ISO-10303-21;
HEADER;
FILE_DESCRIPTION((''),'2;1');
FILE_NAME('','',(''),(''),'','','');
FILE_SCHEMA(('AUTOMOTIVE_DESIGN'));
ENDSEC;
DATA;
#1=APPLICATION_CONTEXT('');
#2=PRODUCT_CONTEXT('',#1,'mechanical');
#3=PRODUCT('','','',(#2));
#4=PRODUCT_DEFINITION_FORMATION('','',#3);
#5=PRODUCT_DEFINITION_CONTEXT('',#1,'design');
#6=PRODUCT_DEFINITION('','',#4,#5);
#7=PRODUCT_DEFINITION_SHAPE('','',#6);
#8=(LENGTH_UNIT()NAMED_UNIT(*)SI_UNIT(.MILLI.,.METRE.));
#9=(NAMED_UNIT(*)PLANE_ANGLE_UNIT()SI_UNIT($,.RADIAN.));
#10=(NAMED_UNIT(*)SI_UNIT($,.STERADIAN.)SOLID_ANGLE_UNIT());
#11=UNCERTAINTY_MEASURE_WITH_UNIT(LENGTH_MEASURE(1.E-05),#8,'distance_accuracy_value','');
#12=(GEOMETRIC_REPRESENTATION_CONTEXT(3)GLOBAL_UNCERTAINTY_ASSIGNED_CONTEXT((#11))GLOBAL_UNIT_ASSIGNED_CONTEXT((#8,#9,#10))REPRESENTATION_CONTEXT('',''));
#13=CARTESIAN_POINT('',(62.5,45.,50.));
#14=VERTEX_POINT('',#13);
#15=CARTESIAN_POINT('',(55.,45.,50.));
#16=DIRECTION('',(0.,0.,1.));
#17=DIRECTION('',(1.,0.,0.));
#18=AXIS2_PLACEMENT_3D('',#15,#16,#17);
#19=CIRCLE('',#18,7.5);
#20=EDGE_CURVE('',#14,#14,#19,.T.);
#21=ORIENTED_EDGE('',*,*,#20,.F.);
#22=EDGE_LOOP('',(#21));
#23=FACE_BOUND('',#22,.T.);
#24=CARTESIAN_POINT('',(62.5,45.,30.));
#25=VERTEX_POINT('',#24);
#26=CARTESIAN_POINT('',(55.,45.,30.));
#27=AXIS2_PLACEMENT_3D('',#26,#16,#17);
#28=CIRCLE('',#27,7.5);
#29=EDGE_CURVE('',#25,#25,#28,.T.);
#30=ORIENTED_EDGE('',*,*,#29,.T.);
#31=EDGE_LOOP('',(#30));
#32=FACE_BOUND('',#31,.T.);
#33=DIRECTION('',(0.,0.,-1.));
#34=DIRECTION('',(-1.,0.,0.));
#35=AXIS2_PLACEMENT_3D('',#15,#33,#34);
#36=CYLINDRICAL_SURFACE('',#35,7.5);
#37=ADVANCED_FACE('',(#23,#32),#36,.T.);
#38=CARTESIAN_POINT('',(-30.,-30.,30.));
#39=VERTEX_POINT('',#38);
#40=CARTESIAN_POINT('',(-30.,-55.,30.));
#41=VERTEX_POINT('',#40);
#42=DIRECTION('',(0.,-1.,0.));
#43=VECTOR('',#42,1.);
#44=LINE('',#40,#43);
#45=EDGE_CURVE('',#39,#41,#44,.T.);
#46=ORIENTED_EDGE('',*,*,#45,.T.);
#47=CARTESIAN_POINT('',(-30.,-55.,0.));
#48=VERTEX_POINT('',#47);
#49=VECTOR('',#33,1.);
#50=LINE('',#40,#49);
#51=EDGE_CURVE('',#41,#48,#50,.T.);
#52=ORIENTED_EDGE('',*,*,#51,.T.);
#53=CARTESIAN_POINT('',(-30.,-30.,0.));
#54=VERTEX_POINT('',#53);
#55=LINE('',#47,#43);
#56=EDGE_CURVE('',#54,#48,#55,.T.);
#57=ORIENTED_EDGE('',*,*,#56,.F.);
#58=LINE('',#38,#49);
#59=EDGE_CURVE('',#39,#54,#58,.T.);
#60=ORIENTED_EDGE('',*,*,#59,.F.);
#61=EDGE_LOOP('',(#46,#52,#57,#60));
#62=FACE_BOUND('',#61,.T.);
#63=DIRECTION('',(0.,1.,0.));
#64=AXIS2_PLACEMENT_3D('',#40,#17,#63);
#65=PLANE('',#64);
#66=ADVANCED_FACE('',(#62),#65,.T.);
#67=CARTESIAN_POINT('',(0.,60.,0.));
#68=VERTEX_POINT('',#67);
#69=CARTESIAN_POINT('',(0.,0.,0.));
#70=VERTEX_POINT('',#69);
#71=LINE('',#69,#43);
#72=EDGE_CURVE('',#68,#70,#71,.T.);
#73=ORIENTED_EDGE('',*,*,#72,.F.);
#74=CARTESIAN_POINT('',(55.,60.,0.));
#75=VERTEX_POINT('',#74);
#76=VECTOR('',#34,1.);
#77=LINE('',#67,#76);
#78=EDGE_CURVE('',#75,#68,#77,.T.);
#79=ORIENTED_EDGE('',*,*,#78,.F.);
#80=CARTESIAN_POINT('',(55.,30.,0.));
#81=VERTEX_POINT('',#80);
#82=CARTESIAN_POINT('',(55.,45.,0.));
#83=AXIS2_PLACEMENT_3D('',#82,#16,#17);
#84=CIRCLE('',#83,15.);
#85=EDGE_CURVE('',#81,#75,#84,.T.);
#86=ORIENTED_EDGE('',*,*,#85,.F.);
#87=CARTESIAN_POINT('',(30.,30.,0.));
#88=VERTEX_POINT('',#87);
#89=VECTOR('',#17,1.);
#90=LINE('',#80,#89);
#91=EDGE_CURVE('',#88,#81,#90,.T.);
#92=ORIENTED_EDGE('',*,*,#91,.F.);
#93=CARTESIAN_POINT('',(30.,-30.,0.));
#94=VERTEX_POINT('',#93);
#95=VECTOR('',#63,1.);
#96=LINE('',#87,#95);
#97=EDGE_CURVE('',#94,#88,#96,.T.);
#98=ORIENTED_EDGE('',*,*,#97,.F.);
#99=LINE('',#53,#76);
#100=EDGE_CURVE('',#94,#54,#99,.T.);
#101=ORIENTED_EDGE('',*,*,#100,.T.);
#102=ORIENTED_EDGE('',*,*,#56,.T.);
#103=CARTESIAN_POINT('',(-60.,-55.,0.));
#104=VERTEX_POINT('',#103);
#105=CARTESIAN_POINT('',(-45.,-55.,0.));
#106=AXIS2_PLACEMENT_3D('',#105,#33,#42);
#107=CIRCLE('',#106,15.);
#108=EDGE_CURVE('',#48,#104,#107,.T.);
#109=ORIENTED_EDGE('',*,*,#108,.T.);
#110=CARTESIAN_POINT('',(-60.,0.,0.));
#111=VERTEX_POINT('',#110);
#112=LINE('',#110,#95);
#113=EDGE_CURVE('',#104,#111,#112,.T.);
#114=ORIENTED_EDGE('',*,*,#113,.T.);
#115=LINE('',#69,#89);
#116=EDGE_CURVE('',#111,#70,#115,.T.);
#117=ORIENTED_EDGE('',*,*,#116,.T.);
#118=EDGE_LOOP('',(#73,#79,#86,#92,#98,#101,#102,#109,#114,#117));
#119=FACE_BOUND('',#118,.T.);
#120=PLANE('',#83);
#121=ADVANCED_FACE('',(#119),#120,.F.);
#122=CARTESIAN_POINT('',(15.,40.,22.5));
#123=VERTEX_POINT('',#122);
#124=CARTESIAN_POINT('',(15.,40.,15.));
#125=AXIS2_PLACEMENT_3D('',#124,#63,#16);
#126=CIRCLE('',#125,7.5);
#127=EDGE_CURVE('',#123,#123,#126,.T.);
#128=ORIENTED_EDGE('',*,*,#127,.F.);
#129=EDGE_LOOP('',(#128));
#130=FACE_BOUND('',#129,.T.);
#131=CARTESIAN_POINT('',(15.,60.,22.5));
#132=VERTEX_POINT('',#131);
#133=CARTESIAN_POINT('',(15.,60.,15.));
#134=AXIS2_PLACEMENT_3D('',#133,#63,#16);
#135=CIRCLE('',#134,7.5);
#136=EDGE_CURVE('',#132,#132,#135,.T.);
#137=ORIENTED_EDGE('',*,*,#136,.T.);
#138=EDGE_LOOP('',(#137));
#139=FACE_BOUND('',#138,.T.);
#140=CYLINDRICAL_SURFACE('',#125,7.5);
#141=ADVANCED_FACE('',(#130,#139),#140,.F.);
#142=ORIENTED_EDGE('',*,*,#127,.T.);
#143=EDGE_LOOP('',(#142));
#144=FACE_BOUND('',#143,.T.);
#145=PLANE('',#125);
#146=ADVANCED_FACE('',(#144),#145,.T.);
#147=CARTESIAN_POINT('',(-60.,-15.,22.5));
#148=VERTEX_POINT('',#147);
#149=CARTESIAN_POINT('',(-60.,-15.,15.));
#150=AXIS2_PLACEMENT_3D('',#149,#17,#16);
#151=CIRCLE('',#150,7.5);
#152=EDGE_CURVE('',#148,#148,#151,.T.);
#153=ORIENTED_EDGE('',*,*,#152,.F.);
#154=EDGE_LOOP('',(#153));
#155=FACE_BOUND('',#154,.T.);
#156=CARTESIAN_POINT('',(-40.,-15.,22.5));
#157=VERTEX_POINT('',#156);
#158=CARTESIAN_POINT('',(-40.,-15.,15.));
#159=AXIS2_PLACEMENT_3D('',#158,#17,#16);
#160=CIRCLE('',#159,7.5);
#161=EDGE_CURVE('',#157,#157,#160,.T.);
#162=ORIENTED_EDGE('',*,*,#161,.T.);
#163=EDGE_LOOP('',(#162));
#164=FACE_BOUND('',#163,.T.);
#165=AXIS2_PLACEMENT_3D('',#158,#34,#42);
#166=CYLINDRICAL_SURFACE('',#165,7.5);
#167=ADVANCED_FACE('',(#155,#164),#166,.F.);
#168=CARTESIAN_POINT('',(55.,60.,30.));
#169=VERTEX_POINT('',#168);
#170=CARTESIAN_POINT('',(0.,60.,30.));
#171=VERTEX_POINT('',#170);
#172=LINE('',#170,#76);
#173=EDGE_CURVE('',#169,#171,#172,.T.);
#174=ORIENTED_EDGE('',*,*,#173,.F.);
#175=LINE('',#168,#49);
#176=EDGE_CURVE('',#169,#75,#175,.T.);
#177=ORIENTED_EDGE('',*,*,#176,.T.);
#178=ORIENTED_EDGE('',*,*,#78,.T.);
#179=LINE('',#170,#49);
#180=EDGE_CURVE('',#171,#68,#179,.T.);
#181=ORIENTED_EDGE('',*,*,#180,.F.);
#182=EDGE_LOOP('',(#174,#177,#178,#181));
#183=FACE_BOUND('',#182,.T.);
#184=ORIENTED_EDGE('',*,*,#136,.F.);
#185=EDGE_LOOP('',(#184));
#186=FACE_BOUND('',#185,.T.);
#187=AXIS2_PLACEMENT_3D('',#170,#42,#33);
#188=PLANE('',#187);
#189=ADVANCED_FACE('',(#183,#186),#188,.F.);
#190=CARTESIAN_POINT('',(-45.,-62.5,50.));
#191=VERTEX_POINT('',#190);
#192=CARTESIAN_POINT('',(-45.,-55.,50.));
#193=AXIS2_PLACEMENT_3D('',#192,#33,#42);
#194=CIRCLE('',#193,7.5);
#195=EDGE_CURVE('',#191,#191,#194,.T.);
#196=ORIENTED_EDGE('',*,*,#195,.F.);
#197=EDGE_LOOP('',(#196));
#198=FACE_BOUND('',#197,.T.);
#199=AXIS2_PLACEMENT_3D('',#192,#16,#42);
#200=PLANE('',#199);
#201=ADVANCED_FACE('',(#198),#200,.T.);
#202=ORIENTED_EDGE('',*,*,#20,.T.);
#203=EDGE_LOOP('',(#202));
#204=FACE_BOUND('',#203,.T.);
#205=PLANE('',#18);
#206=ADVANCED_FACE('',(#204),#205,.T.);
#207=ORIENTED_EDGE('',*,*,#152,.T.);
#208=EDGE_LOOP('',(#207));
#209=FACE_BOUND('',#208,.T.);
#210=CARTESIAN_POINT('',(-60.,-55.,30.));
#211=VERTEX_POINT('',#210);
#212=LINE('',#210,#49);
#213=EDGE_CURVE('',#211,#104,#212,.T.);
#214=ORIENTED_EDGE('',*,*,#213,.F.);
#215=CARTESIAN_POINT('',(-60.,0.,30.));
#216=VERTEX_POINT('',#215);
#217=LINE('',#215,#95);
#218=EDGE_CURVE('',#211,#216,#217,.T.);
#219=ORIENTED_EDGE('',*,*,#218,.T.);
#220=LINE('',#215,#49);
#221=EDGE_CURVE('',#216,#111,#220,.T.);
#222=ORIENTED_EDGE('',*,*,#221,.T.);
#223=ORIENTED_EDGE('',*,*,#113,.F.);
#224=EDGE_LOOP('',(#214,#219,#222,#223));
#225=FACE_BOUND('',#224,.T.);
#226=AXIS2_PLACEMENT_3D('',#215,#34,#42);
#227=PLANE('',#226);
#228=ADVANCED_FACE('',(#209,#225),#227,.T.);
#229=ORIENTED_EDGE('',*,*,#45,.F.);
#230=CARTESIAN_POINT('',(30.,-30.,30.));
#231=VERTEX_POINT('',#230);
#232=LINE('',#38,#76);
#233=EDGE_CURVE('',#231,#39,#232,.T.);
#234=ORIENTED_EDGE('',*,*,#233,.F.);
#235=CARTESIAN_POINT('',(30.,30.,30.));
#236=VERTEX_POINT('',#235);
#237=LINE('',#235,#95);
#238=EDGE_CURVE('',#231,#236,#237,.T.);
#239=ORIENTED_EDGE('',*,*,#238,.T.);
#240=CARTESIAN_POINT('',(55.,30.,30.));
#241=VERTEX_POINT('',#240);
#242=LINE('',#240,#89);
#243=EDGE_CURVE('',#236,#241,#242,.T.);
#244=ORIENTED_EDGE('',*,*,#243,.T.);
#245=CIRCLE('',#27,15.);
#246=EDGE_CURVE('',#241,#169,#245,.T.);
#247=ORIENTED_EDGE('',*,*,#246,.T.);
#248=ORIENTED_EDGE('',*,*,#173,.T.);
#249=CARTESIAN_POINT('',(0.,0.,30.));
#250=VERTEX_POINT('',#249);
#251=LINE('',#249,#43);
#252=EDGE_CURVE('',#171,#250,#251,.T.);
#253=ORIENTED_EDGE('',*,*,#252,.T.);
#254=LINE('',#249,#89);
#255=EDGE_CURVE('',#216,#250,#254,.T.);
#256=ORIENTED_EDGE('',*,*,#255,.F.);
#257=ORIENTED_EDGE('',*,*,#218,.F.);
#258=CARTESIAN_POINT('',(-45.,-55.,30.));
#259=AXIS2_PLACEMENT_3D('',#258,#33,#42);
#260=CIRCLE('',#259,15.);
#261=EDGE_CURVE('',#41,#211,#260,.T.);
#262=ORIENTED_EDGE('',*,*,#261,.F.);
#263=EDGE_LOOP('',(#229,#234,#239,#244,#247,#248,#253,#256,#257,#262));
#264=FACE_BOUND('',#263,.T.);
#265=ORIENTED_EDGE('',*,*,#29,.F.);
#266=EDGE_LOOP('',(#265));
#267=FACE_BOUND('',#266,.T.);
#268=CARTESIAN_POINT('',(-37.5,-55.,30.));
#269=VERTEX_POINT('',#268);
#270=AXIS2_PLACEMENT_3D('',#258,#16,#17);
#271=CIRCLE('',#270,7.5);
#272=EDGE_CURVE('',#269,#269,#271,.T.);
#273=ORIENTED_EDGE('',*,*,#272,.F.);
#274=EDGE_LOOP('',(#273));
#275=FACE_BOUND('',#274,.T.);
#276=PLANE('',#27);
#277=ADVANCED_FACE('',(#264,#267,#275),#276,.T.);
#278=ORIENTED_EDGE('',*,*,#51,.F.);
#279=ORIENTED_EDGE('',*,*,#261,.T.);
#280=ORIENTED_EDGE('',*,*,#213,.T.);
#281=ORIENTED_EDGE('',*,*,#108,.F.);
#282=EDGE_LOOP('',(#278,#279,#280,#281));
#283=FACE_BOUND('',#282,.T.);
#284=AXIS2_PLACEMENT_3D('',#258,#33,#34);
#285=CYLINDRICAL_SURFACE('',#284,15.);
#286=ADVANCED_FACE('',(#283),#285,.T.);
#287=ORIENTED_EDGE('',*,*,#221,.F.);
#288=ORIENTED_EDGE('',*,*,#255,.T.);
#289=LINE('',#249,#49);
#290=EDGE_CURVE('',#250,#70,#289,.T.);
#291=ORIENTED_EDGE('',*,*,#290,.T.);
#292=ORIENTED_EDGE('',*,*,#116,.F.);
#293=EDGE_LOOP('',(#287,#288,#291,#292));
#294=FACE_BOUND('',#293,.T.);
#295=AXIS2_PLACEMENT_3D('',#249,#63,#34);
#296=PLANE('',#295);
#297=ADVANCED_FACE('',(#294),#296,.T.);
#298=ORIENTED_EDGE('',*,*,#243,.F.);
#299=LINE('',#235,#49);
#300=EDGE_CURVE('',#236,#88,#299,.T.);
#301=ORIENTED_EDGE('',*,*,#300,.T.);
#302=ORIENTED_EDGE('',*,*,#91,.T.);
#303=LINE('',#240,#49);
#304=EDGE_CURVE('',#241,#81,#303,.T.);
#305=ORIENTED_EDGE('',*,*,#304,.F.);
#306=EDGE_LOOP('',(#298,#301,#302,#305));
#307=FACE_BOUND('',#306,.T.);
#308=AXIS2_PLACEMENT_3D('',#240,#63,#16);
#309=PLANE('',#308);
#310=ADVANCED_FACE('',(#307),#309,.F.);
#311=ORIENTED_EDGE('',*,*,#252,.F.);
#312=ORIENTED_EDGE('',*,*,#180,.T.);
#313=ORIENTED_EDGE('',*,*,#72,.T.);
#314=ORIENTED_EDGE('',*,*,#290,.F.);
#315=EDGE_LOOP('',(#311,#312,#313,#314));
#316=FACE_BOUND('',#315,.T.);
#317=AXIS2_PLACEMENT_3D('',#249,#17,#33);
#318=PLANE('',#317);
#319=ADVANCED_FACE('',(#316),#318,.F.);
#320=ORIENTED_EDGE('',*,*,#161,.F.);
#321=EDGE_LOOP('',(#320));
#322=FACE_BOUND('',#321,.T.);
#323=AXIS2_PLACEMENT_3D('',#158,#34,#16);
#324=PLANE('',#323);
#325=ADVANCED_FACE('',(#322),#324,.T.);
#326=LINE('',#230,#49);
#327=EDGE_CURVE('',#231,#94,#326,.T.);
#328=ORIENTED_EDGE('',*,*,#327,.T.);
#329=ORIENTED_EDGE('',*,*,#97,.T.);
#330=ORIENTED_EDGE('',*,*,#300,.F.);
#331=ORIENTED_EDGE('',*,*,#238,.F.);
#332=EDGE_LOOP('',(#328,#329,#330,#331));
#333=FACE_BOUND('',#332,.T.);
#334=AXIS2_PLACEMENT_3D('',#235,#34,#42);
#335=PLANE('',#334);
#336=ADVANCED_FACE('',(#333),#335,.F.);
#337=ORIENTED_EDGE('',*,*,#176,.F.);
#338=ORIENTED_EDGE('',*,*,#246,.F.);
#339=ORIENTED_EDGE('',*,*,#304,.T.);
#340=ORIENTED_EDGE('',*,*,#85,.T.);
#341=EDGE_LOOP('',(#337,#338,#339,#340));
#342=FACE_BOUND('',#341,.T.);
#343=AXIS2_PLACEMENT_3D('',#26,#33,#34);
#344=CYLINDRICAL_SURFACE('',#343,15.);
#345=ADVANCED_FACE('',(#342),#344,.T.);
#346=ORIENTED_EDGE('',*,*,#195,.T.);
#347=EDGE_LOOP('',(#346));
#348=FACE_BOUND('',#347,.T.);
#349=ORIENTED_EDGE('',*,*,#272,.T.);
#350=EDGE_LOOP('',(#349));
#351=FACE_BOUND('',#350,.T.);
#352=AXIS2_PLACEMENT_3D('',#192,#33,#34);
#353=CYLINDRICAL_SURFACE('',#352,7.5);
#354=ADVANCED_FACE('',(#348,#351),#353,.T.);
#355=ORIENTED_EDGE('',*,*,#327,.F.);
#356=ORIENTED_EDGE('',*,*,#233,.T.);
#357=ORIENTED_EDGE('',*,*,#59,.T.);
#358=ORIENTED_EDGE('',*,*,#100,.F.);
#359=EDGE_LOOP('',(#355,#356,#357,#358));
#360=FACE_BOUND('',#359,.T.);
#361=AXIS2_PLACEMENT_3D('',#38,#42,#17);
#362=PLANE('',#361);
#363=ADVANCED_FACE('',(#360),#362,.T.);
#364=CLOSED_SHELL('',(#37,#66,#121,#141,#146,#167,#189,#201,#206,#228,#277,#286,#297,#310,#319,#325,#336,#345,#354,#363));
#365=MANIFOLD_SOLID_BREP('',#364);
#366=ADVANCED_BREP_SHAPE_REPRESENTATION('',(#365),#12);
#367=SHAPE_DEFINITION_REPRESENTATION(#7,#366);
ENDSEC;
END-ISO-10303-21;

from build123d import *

# Parameters (mm, degrees)
BOSS_EXTRUDE1_DEPTH = 30
SKETCH2_R           = 7.5
BOSS_EXTRUDE2_DEPTH = 20
SKETCH3_R           = 7.5
CUT_EXTRUDE1_DEPTH  = 20


with BuildPart() as part:
    # Sketch1 → Boss-Extrude1 (new body)
    with BuildSketch(Plane.XY):
        with BuildLine():
            Line((0, 0), (0, 60))
            Line((0, 60), (55, 60))
            ThreePointArc((55, 60), (70, 45), (55, 30))
            Line((55, 30), (30, 30))
            Line((30, 30), (30, -30))
            Line((30, -30), (0, 0))
        make_face()
    boss_extrude1 = extrude(amount=BOSS_EXTRUDE1_DEPTH)

    # Sketch2 → Boss-Extrude2 (add)
    with BuildSketch(Plane.XY.offset(30)):
        with Locations((55, 45)):
            Circle(SKETCH2_R)
    boss_extrude2 = extrude(amount=BOSS_EXTRUDE2_DEPTH)

    # Sketch3 → Cut-Extrude1 (cut)
    with BuildSketch(Plane(origin=(0, 60, 0), x_dir=(1, 0, 0), z_dir=(0, 1, 0))):
        with Locations(Location((15, -15, 0), (0, 0, 270))):
            Circle(SKETCH3_R)
    cut_extrude1 = extrude(amount=-CUT_EXTRUDE1_DEPTH, mode=Mode.SUBTRACT)

    # Mirror1: Boss-Extrude1, Boss-Extrude2, Cut-Extrude1 across plane
    add(boss_extrude1.mirror(Plane(origin=(30, -30, 30), x_dir=(0, 0, 1), z_dir=(0.7071067811865512, 0.7071067811865439, 0))))
    add(boss_extrude2.mirror(Plane(origin=(30, -30, 30), x_dir=(0, 0, 1), z_dir=(0.7071067811865512, 0.7071067811865439, 0))))
    add(cut_extrude1.mirror(Plane(origin=(30, -30, 30), x_dir=(0, 0, 1), z_dir=(0.7071067811865512, 0.7071067811865439, 0))), mode=Mode.SUBTRACT)


solid = part.part
